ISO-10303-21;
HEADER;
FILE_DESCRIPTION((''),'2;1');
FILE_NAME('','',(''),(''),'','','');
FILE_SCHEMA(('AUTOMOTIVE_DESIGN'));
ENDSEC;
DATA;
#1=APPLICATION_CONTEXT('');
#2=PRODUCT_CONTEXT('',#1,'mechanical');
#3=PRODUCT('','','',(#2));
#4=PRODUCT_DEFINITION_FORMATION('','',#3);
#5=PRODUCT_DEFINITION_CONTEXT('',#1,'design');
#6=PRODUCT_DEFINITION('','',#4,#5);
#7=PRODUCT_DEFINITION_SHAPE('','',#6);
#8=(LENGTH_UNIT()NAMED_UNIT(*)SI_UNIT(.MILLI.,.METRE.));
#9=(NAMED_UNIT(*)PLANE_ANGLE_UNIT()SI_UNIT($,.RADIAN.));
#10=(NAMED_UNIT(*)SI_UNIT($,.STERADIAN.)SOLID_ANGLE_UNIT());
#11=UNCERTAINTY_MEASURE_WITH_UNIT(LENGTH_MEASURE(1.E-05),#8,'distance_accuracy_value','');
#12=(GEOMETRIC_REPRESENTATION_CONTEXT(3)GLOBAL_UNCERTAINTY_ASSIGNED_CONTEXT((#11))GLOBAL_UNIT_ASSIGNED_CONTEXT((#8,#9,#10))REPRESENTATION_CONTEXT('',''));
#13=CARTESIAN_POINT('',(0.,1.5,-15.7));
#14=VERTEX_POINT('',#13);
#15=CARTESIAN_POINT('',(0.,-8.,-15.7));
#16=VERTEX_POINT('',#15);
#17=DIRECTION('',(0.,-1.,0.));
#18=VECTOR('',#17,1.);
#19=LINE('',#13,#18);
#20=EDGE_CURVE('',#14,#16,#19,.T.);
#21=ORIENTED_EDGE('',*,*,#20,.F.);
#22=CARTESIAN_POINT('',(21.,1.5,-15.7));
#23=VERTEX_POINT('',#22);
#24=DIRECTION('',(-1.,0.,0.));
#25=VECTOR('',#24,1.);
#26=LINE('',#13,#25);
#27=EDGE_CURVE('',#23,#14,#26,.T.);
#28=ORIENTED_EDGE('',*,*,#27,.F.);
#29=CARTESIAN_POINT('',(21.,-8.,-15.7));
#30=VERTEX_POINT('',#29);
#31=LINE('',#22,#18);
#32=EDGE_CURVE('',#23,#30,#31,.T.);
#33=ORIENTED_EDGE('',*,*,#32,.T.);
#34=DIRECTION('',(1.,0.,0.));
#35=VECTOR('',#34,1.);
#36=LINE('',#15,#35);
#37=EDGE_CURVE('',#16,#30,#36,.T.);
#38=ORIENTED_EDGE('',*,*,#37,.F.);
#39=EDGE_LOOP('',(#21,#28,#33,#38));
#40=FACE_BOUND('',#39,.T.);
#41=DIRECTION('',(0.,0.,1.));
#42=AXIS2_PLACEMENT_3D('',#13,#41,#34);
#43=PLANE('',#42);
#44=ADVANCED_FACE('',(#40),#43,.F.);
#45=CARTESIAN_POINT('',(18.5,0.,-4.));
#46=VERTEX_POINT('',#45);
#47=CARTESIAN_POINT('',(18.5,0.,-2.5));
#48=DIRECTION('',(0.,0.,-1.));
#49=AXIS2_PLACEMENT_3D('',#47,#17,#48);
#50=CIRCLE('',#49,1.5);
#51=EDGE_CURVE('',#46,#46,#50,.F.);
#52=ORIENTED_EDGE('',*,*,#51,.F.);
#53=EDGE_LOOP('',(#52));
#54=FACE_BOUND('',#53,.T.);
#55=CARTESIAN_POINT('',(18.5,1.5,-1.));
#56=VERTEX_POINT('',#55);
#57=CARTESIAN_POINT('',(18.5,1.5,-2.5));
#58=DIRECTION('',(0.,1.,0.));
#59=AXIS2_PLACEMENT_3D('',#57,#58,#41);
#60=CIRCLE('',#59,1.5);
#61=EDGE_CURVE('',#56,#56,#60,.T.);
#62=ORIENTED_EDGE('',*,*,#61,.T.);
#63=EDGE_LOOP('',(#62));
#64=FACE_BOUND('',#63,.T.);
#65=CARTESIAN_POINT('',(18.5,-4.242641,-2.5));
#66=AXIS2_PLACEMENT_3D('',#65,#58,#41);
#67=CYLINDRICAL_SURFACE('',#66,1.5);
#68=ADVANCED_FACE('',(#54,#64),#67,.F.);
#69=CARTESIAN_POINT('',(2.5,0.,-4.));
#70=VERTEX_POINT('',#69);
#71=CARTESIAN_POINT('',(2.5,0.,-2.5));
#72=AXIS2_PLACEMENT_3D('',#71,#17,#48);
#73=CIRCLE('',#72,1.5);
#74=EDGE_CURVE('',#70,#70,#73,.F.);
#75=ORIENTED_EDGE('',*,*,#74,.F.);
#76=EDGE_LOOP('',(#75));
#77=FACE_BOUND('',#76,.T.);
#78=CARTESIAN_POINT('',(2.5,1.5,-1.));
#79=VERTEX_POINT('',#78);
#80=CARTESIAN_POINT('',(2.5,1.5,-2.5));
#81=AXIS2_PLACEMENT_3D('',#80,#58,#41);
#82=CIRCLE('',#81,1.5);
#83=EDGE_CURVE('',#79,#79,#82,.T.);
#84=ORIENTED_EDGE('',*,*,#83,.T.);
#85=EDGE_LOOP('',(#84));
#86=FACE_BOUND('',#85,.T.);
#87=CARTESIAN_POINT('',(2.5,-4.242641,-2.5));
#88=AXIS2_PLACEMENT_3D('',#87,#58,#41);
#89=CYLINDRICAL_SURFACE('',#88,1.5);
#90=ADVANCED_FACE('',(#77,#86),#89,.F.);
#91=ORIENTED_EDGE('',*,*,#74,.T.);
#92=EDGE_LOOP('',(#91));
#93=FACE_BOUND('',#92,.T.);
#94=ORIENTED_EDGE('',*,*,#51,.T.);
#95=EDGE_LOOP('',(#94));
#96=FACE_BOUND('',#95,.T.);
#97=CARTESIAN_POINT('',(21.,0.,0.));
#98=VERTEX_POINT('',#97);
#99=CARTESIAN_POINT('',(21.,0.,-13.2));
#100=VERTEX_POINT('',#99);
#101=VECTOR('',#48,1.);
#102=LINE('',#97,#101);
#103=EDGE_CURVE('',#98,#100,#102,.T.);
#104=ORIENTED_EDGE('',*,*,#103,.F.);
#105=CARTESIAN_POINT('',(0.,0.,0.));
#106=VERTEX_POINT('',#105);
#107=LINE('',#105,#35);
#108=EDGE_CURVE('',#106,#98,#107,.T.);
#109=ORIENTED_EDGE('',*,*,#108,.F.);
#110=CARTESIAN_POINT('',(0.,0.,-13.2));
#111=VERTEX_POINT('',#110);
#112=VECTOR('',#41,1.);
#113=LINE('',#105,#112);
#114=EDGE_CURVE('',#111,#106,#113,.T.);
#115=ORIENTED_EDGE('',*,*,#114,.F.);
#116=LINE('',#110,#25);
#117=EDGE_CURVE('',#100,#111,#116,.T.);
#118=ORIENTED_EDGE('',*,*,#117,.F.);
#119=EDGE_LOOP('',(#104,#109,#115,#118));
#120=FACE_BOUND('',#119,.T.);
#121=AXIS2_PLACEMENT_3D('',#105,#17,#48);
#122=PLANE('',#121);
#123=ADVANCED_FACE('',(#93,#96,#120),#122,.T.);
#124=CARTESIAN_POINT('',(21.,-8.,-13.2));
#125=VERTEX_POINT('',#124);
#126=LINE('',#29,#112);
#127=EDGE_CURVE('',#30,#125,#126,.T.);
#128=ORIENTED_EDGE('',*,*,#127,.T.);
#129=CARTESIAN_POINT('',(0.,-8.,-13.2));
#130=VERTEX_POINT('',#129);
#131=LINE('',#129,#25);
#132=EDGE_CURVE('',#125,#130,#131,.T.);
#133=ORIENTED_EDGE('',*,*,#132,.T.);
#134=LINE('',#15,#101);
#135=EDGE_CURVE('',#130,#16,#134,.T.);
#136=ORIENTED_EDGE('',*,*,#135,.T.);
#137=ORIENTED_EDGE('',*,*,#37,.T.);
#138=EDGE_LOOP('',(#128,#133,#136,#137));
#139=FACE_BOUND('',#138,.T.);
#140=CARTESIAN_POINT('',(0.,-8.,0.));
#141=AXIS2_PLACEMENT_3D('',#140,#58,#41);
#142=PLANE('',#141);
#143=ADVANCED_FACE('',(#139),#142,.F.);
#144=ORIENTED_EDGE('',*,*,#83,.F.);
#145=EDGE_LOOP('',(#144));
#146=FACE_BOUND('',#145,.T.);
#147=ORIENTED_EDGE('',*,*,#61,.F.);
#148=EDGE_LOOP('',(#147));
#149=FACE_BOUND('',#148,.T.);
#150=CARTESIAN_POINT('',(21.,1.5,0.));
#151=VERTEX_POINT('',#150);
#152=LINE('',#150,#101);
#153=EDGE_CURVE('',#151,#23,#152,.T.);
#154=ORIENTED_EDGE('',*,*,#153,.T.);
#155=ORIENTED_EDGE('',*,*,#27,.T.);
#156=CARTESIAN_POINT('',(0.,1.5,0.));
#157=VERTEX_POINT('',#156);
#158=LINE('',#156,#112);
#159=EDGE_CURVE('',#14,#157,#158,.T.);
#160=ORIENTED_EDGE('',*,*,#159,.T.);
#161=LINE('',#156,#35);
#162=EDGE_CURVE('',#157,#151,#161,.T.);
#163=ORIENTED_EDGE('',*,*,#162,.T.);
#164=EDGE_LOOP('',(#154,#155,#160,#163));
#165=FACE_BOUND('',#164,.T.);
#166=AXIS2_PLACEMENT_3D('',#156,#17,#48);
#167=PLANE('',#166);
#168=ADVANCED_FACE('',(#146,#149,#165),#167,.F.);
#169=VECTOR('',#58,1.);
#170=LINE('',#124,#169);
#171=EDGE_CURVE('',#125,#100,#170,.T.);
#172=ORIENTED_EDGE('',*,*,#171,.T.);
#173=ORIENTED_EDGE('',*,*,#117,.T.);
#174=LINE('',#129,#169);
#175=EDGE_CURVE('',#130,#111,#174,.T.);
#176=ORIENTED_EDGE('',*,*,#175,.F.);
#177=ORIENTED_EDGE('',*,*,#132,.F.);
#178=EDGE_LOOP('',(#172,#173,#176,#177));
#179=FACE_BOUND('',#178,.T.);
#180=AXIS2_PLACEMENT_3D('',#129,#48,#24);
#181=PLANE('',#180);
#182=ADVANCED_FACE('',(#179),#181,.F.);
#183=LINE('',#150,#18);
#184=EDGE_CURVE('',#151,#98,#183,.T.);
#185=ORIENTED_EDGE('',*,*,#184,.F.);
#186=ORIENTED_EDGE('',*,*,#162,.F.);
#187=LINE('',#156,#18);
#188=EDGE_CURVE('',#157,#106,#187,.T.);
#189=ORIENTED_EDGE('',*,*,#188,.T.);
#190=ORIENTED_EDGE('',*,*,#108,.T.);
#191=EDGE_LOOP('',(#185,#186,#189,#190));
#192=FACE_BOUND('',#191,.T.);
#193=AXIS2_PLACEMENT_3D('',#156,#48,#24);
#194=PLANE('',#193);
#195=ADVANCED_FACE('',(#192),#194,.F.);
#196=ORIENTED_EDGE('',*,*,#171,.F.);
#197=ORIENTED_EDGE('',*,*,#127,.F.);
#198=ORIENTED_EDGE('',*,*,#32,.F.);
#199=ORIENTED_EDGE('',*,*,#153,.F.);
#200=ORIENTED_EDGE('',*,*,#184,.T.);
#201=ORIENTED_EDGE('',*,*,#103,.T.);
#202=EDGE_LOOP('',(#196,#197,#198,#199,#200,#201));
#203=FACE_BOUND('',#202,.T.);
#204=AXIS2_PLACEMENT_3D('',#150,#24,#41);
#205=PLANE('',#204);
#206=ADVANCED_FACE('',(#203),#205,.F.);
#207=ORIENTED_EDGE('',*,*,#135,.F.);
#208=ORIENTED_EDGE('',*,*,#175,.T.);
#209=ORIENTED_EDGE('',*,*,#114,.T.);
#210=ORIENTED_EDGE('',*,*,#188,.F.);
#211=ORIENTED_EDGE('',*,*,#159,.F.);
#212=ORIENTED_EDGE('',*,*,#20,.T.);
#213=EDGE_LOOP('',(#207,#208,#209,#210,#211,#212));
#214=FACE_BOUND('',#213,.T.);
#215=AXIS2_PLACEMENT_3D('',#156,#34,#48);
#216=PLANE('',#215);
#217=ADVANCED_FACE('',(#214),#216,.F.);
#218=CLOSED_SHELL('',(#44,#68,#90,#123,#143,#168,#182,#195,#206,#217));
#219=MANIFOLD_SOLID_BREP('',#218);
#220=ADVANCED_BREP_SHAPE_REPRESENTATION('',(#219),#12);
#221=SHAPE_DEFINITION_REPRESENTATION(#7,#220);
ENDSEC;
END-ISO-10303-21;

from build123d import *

# Parameters (mm, degrees)
SKETCH1_W           = 21
SKETCH1_H           = 15.7
BOSS_EXTRUDE1_DEPTH = 1.5
SKETCH2_R           = 1.5
CUT_EXTRUDE1_DEPTH  = 1.5
SKETCH3_W           = 21
SKETCH3_H           = 2.5
BOSS_EXTRUDE2_DEPTH = 8


with BuildPart() as part:
    # Sketch1 → Boss-Extrude1 (new body)
    with BuildSketch(Plane(origin=(0, 0, 0), x_dir=(1, 0, 0), z_dir=(0, 1, 0))):
        with Locations((10.5, 7.85)):
            Rectangle(SKETCH1_W, SKETCH1_H)
    extrude(amount=BOSS_EXTRUDE1_DEPTH)

    # Sketch2 → Cut-Extrude1 (cut)
    with BuildSketch(Plane(origin=(0, 1.5, 0), x_dir=(1, 0, 0), z_dir=(0, 1, 0))):
        with Locations(Location((2.5, 2.5, 0), (0, 0, 270))):
            Circle(SKETCH2_R)
        with Locations(Location((18.5, 2.5, 0), (0, 0, 270))):
            Circle(SKETCH2_R)
    extrude(amount=-CUT_EXTRUDE1_DEPTH, mode=Mode.SUBTRACT)

    # Sketch3 → Boss-Extrude2 (add)
    with BuildSketch(Plane.XZ):
        with Locations((10.5, -14.45)):
            Rectangle(SKETCH3_W, SKETCH3_H)
    extrude(amount=BOSS_EXTRUDE2_DEPTH)


solid = part.part
